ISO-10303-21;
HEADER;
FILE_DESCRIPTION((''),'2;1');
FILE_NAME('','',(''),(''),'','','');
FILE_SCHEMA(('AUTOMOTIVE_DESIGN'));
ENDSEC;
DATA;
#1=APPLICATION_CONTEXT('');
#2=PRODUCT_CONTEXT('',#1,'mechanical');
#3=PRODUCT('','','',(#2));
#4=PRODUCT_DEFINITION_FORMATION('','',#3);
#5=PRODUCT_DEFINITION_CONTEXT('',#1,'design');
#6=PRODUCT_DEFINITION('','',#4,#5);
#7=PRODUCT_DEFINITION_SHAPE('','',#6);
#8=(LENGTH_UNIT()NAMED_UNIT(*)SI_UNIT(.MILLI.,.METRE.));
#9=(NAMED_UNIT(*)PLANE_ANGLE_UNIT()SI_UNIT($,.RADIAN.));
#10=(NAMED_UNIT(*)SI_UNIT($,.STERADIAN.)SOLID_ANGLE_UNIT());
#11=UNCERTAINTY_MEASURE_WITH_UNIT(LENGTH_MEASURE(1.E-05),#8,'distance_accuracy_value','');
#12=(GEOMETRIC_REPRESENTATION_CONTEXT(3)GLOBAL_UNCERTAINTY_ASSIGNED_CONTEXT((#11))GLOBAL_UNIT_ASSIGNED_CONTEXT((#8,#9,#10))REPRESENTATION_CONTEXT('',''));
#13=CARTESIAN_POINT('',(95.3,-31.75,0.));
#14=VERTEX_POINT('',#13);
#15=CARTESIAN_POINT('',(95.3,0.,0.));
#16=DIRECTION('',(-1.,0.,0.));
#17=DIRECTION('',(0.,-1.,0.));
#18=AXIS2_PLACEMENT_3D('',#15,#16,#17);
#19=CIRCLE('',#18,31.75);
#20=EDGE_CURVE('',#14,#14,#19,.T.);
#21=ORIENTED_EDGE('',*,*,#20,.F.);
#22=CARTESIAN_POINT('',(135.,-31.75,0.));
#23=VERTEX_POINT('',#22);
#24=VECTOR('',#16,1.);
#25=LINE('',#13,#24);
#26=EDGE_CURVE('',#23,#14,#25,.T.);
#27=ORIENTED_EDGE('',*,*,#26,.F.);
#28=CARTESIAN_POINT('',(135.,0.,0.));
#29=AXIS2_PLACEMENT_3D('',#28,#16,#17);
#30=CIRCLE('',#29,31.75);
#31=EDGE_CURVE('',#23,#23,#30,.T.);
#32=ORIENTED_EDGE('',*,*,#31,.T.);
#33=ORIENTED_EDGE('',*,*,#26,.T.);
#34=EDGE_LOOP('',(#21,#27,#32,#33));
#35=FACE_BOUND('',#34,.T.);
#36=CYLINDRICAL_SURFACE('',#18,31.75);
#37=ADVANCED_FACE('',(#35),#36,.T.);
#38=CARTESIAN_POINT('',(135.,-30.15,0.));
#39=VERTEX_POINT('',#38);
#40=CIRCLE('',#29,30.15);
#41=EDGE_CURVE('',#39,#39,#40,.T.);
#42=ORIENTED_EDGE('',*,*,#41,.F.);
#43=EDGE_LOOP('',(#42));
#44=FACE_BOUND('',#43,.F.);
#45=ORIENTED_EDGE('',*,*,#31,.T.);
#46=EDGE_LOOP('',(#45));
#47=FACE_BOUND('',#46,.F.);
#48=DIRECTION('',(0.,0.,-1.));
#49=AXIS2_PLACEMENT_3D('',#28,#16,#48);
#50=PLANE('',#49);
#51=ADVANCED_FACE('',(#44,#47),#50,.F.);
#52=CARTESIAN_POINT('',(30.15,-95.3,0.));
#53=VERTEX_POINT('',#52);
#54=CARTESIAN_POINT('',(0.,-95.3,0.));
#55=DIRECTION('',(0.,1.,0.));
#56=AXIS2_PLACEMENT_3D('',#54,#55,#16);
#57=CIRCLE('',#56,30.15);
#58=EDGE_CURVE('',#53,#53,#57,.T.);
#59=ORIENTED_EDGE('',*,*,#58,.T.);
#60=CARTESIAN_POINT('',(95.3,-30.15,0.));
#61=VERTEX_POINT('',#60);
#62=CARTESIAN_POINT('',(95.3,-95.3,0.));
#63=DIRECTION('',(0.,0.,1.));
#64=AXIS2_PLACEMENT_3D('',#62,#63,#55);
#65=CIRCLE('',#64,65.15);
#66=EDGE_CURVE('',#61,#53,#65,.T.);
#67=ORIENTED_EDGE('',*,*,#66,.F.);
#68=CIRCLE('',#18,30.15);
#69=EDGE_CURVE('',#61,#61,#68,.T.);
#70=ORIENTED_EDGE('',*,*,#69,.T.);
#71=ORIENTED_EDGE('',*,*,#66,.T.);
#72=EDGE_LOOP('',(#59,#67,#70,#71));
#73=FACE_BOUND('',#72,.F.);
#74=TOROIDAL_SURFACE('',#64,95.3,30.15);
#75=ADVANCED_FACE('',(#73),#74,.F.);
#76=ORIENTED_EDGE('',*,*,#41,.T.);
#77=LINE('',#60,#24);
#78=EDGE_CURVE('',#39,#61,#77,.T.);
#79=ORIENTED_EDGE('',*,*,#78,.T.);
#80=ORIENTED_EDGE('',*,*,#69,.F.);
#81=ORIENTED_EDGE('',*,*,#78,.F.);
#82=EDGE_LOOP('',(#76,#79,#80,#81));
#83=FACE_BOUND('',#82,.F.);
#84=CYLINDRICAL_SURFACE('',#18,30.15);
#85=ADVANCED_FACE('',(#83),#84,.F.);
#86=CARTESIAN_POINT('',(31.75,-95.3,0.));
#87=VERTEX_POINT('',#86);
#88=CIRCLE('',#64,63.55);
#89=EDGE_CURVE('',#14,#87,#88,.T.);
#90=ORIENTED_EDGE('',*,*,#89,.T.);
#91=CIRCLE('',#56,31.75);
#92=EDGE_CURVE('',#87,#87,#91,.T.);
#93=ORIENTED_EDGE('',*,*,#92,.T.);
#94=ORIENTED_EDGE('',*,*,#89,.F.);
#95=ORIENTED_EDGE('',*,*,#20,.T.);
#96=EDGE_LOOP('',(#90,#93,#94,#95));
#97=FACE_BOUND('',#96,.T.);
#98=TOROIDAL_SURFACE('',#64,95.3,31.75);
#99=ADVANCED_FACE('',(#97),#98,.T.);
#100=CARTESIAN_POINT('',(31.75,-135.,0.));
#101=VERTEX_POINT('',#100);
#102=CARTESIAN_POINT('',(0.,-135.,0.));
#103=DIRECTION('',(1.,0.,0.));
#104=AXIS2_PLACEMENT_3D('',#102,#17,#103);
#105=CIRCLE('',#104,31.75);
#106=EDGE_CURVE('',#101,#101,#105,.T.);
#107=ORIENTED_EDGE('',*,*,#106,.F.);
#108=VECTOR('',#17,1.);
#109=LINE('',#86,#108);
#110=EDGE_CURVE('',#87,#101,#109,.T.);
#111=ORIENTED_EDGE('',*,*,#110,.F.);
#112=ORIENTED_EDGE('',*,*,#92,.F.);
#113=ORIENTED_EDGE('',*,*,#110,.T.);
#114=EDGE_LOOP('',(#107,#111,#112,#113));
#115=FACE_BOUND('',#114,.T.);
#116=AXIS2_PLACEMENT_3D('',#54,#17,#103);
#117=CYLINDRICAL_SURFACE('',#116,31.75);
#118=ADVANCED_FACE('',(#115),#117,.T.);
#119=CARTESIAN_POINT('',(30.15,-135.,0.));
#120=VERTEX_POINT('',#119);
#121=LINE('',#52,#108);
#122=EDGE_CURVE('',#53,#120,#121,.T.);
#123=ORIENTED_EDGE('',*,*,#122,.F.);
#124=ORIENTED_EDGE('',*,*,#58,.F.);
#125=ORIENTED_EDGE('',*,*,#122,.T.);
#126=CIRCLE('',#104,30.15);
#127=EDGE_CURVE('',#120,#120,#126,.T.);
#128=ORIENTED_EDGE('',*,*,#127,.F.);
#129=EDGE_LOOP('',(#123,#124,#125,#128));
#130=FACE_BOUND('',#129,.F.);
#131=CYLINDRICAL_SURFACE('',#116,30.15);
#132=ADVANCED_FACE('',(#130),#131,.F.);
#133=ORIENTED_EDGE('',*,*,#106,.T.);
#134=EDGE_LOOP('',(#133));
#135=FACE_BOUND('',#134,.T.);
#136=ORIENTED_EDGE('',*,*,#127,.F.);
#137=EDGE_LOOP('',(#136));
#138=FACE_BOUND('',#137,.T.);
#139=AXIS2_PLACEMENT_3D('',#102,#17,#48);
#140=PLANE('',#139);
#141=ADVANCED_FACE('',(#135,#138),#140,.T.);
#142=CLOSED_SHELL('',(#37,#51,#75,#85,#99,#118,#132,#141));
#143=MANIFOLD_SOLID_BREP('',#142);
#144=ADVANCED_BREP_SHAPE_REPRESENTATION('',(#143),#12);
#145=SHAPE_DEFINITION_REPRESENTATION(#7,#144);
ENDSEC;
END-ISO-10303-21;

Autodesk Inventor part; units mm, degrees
ref_plane "YZ Plane" through (0, 0, 0) normal (1, 0, 0) x (0, 1, 0)
ref_plane "XZ Plane" through (0, 0, 0) normal (0, 1, 0) x (-1, 0, 0)
sketch "Szkic6" plane through (0, 0, 0) normal (0, 0, 1) x (1, 0, 0)
  line L0 (-29.6067, 0) -> (35.2678, 0) construction
  line L1 (0, 42.3419) -> (0, -58.3726) construction
  arc A0 (95.3, 0) -> (0, -95.3) centre (95.3, -95.3) ccw
  line L2 (0, -95.3) -> (95.3, -95.3) construction
  line L3 (95.3, -95.3) -> (95.3, -29.7669) construction
  line L4 (95.3, 0) -> (135, 0)
  line L5 (0, -95.3) -> (0, -135)
  point P0 (0, 0)
  dimension "d24" = 95.3
  dimension "d31" = 90
  dimension "d36" = 39.7
  dimension "d37" = 39.7
ref_plane "Płaszczyzna konstrukcyjna2" through (0, -95.3, 0) normal (0, -1, 0) x (1, 0, 0)
sketch "Szkic8" plane through (0, -95.3, 0) normal (0, -1, 0) x (1, 0, 0)
  circle A0 centre (0, 0) radius 31.75
  circle A1 centre (0, 0) radius 30.15
  dimension "d32" = 63.5
  dimension "d33" = 1.6
sweep "Przeciągnięcie2" add profiles "Szkic8" path "Szkic6"
equation "\"d32\" = OD"
equation "\"d33\" = THK"
equation "\"d24\" = R"
equation "\"d31\" = KAT"
equation "\"d36\" = PROSTKA"
equation "\"d37\" = PROSTKA"
equation "\"SzerokośćGięciaPodcięcia\" = Grubość"
equation "\"RozmiarPodcięciaNarożnika\" = 4 * Grubość"
equation "\"PromieńPrzejścia\" = PromieńGięcia"
equation "\"Rozmiar_promienia_Jacobiego\" = PromieńGięcia"
equation "\"Wielk_odstępu\" = Grubość"
equation "\"d2\" = PromieńGięcia"
equation "\"d23\" = PromieńGięcia"
equation "\"R\" = 95.3"
equation "\"OD\" = 63.5"
equation "\"THK\" = 1.6"
equation "\"KAT\" = 90deg"
equation "\"PROSTKA\" = 39.7"
equation "\"Grubość\" = 1.5"
equation "\"PromieńGięcia\" = 3"
properties part number "Kolano 90° ø63,5x1,6 R95,3" material "304L"
